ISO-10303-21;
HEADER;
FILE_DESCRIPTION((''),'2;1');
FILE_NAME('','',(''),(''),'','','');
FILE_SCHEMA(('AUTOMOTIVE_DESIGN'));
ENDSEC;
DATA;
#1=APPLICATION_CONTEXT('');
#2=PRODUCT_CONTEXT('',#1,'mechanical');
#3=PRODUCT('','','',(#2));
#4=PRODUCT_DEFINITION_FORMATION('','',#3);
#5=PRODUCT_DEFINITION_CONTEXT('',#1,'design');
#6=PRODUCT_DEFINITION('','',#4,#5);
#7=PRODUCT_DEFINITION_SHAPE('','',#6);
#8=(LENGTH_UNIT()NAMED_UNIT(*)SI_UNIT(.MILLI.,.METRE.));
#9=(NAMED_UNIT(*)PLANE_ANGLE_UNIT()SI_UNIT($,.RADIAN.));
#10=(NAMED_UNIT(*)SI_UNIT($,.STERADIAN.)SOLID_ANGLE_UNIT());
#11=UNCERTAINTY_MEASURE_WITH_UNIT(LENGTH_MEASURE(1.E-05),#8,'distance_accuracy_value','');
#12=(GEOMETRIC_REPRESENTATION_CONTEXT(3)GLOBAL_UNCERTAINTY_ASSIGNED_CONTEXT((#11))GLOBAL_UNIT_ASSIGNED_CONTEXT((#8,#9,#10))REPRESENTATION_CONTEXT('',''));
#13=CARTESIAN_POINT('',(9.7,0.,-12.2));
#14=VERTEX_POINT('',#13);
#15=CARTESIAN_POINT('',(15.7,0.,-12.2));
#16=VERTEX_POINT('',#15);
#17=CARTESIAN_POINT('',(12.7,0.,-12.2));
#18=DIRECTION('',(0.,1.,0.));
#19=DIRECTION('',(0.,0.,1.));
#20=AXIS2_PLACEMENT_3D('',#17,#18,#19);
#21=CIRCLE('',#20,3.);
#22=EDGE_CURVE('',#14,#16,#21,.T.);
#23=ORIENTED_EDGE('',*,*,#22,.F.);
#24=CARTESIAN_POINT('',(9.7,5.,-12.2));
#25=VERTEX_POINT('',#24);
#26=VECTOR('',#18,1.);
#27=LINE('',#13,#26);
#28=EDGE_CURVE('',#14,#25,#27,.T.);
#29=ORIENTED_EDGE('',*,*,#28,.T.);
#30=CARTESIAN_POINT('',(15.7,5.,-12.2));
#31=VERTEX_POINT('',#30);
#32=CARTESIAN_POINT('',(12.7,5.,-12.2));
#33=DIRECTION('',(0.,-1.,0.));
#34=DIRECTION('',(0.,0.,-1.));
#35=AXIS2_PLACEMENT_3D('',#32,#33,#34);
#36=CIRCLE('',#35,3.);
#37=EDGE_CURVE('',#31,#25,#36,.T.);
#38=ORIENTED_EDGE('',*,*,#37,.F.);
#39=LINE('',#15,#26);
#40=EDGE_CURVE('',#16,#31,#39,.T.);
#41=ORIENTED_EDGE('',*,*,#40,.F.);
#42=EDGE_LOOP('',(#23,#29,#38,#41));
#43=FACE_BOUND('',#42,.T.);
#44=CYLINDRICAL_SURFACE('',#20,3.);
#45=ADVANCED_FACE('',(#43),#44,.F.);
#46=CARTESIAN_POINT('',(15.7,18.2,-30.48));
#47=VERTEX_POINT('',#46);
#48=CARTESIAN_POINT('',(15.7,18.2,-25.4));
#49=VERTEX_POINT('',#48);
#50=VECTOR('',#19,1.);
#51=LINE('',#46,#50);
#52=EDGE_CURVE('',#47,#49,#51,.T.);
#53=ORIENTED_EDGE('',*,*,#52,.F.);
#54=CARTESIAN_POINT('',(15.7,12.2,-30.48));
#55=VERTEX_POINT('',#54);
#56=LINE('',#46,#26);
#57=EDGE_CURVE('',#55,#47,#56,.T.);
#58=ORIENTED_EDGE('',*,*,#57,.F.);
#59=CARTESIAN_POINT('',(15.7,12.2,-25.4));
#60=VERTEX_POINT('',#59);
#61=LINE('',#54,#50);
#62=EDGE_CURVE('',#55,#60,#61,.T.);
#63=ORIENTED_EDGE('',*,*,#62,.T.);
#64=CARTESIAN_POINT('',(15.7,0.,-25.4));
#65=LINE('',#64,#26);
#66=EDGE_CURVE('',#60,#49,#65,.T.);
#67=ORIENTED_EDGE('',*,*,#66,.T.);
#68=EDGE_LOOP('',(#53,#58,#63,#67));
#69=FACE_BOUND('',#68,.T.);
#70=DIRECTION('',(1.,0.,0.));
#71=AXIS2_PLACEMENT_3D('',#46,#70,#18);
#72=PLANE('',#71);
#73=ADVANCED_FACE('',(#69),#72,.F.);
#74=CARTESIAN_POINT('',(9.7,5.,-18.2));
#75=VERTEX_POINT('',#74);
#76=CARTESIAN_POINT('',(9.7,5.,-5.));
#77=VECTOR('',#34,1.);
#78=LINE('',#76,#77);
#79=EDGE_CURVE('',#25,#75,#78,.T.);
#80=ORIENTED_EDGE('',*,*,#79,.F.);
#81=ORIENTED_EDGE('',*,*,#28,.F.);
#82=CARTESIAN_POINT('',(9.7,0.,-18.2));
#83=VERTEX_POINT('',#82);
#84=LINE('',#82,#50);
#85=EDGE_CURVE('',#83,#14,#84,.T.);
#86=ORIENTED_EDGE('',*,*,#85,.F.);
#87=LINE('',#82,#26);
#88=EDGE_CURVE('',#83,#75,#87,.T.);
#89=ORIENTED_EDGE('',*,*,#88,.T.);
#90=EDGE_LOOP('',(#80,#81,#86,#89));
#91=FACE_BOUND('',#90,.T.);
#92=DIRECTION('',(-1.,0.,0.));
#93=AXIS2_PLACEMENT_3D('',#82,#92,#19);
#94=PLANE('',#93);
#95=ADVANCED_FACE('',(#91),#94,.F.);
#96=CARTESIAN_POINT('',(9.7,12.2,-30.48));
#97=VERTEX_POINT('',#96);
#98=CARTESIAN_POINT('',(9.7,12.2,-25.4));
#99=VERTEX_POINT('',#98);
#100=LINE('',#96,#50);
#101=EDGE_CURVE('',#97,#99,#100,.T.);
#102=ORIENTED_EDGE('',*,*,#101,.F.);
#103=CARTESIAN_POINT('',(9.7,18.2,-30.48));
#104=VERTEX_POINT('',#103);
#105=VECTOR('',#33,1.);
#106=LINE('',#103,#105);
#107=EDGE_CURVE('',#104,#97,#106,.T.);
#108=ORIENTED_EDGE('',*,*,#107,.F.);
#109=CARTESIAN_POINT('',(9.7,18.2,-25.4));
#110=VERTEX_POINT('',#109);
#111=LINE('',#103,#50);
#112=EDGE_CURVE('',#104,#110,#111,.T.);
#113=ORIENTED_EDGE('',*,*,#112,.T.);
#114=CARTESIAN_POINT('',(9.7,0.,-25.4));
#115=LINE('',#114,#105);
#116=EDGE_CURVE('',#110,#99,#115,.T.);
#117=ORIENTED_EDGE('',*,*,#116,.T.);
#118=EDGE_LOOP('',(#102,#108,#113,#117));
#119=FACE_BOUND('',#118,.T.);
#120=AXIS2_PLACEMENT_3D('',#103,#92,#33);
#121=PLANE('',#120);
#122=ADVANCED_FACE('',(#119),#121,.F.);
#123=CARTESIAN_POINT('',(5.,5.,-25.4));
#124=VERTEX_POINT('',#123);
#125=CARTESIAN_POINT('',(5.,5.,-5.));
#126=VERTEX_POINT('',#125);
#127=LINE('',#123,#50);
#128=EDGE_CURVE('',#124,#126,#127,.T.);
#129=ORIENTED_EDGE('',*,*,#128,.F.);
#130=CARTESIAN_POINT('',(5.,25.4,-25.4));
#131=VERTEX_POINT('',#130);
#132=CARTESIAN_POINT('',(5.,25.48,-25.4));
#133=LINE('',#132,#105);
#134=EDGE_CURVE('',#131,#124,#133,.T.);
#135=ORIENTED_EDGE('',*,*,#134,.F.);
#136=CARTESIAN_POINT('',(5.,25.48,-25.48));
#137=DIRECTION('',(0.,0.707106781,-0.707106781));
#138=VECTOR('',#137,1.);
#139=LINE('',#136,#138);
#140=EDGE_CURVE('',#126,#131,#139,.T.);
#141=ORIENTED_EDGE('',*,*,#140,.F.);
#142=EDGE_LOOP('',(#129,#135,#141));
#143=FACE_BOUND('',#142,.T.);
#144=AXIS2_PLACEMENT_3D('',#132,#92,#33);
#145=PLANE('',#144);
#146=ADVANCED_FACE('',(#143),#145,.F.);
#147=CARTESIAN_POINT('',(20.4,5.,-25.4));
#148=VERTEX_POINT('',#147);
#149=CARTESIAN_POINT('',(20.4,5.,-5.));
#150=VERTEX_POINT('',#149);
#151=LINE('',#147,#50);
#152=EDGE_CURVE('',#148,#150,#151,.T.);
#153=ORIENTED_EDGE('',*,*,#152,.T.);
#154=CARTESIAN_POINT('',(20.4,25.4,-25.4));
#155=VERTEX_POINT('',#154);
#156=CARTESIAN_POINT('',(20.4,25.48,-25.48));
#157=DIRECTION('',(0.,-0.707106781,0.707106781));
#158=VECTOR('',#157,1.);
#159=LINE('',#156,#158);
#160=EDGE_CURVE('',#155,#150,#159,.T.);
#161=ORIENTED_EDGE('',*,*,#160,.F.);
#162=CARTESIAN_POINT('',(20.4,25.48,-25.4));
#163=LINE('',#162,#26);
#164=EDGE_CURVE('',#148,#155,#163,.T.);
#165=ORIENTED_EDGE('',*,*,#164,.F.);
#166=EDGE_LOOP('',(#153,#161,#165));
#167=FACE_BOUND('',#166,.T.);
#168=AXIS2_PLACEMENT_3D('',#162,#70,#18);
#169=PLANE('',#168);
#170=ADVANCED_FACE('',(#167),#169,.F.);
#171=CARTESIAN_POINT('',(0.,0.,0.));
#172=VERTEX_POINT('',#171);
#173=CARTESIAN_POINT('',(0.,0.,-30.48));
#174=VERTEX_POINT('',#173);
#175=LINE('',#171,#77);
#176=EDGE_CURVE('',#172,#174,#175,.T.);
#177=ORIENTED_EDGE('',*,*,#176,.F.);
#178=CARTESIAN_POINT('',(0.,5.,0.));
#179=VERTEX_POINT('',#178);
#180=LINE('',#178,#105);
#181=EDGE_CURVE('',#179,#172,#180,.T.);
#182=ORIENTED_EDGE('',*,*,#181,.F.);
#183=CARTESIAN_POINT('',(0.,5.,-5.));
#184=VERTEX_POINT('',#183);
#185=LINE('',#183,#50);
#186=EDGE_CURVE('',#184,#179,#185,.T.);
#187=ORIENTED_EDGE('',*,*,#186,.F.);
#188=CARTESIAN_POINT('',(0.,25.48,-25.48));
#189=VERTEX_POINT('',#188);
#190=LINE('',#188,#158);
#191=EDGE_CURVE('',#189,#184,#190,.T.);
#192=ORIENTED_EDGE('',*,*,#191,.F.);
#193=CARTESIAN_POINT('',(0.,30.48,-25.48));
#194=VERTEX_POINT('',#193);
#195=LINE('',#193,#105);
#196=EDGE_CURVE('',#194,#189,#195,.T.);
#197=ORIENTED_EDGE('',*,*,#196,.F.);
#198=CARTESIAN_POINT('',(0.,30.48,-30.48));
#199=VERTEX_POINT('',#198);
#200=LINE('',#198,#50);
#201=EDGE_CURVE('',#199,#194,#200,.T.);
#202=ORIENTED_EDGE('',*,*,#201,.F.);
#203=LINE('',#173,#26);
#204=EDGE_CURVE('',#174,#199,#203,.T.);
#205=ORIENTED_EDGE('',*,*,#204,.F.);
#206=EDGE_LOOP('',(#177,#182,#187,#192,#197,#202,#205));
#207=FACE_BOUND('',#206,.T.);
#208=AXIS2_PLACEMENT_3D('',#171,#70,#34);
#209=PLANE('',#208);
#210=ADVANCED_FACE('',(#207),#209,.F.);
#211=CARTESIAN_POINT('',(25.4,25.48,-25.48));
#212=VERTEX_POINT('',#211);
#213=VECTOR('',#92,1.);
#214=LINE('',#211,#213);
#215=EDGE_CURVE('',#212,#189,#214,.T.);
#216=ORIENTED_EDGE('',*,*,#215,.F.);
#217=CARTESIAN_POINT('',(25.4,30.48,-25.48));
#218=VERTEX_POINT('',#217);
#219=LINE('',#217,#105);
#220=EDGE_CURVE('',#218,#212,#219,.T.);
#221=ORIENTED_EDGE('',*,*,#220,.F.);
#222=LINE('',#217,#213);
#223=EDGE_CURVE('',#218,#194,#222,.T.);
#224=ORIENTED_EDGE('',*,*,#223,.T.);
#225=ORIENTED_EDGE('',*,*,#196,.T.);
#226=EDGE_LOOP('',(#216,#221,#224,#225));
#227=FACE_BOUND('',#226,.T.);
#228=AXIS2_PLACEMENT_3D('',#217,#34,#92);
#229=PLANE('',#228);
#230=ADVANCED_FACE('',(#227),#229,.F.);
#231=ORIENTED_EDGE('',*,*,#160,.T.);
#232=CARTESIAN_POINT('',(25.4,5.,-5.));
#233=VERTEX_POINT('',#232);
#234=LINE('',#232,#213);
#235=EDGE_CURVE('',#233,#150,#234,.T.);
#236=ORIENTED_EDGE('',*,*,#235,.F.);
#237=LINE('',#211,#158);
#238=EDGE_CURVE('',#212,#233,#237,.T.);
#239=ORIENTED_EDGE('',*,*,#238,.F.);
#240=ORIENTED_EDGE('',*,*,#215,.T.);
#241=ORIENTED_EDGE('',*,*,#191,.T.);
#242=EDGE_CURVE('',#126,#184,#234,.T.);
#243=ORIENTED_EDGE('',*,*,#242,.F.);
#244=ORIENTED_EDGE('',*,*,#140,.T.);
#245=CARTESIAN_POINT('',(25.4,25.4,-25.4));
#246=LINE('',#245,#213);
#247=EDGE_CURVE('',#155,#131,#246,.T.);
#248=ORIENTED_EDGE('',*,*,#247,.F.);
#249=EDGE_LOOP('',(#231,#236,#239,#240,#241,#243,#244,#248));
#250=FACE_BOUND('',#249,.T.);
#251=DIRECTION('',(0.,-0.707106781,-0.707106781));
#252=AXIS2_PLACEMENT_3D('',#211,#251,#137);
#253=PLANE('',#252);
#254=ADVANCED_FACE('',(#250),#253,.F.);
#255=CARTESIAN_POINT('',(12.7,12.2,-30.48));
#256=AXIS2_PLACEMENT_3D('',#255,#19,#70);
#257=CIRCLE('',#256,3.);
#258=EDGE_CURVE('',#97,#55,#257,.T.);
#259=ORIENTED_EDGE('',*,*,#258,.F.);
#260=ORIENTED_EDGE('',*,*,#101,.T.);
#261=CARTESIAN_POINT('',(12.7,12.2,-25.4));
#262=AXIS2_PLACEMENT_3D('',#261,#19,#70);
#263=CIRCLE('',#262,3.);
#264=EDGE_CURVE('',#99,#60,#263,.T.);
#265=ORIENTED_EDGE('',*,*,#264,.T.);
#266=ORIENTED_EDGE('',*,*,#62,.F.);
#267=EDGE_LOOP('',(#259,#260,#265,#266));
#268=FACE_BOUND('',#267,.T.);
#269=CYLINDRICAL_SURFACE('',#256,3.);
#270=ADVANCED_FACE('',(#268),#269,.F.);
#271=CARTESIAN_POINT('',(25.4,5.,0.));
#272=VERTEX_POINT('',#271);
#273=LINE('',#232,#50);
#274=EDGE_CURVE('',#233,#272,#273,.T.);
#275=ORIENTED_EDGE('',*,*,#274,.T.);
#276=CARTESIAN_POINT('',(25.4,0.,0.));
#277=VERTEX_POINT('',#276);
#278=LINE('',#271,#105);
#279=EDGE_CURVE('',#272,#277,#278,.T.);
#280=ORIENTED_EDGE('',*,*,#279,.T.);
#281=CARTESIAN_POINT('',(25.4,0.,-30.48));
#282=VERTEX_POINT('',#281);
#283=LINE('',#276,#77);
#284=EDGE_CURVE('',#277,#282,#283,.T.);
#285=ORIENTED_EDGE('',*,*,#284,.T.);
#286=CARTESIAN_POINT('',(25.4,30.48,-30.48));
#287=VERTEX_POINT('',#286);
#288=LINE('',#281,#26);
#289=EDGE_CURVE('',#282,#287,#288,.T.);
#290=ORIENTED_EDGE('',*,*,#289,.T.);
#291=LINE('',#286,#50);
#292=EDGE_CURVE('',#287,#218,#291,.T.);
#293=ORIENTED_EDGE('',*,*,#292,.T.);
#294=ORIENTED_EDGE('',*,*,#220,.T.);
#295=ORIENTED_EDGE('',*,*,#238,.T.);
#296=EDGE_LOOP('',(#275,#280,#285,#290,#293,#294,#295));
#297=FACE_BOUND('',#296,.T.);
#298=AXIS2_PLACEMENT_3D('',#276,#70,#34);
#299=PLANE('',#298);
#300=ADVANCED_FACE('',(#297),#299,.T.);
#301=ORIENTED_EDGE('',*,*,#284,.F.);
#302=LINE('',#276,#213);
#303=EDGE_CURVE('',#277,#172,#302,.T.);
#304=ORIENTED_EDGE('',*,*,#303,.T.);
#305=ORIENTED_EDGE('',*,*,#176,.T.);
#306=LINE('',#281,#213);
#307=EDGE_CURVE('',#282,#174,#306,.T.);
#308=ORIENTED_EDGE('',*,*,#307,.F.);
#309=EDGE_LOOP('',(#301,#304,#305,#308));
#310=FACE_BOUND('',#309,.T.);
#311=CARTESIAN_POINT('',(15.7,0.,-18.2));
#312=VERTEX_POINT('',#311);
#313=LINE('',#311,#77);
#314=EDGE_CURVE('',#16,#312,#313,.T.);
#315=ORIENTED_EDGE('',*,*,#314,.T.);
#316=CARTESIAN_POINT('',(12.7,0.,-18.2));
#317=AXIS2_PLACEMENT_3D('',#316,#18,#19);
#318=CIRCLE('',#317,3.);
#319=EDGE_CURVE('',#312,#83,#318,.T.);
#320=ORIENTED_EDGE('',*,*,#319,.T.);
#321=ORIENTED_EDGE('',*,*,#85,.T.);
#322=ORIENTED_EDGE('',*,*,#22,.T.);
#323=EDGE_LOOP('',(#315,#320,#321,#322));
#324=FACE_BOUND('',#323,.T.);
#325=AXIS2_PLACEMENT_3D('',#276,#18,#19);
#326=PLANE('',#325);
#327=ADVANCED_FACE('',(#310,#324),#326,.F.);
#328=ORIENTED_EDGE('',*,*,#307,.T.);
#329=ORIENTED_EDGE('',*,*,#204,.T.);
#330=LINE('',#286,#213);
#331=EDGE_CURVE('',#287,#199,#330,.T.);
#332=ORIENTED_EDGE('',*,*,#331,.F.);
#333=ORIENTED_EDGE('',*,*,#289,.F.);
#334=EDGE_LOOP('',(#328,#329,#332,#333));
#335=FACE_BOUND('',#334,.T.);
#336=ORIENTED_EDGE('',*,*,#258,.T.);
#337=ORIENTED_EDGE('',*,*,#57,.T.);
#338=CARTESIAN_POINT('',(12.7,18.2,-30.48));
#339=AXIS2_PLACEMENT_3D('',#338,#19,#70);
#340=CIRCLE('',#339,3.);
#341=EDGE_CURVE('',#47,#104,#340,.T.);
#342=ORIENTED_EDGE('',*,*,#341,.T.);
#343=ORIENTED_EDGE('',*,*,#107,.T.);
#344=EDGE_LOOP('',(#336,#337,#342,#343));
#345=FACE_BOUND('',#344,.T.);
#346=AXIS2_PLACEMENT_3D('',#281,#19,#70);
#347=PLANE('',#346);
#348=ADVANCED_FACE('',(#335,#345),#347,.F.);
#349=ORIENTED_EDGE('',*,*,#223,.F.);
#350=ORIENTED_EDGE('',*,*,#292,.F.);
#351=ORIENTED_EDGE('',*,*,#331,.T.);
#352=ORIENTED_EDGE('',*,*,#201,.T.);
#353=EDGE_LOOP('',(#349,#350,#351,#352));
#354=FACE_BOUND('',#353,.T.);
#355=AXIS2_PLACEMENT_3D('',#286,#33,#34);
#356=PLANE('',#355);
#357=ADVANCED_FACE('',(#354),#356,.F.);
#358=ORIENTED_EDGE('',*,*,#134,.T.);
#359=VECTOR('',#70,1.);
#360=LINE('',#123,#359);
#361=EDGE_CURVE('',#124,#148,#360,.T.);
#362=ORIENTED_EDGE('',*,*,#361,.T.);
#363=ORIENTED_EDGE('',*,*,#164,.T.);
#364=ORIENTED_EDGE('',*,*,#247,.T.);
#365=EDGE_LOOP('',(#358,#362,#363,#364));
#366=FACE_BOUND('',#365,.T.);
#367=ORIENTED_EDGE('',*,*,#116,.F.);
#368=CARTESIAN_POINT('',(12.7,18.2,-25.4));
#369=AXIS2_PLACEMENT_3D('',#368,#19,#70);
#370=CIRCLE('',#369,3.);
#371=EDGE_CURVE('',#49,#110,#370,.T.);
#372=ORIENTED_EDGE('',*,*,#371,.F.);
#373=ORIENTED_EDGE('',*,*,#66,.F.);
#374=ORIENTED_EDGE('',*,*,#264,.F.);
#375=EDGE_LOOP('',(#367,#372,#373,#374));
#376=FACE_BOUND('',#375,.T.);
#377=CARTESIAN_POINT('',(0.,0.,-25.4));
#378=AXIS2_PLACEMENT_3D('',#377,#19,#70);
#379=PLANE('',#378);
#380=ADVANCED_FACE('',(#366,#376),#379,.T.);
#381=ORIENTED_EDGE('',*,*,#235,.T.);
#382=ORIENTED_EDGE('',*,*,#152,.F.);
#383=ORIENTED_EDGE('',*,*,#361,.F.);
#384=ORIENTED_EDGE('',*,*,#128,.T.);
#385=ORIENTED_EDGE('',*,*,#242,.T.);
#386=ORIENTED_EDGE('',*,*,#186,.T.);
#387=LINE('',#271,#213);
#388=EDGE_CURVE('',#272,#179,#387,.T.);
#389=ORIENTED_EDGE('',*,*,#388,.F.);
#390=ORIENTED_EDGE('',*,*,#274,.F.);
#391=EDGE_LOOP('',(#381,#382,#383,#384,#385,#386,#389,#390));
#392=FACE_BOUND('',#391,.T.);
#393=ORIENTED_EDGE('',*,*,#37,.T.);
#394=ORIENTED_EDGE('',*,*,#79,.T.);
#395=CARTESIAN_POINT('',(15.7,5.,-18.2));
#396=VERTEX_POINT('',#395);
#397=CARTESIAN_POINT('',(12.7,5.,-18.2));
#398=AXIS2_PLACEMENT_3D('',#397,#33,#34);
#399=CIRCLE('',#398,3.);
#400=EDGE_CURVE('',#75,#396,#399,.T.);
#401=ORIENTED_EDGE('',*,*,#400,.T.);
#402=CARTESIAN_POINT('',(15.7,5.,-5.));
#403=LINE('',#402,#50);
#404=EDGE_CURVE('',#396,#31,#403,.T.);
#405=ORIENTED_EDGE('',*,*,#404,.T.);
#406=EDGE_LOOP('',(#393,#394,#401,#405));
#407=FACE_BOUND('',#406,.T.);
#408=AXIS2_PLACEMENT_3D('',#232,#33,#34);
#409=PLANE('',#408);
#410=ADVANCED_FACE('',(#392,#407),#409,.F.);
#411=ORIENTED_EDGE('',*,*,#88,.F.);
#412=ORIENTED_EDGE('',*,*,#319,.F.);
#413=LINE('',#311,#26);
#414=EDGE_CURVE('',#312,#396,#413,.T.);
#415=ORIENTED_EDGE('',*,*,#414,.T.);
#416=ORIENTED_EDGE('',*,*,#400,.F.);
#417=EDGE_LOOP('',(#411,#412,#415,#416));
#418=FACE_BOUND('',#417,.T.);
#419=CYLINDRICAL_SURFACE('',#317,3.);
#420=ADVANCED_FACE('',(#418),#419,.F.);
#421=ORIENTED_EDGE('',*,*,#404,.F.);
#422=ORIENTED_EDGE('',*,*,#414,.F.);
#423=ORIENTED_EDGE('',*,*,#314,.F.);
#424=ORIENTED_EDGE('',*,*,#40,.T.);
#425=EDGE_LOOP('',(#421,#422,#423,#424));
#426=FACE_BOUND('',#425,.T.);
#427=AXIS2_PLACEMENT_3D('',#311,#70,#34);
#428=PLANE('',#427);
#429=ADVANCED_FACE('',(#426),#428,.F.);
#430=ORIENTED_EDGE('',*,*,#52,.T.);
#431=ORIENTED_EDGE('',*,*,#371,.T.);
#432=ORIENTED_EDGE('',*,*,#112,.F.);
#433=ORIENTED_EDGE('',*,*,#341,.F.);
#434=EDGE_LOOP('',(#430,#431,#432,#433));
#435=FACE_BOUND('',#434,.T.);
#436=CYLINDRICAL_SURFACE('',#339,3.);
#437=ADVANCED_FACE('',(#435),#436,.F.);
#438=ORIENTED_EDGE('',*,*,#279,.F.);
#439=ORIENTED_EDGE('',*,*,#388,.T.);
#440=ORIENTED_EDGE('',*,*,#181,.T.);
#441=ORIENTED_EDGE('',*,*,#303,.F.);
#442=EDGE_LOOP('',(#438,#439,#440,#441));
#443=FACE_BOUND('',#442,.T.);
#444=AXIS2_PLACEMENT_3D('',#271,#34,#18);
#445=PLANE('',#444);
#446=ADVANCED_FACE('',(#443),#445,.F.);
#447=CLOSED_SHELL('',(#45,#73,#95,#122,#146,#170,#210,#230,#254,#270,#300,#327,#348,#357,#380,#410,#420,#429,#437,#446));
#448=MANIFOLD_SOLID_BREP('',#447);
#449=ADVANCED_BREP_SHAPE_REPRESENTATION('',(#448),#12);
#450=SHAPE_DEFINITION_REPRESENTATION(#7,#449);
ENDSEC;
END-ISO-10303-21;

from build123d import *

# Parameters (mm, degrees)
BOSS_EXTRUDE1_DEPTH     = 25.4
SKETCH2_W               = 15.4
SKETCH2_H               = 20.48
CUT_EXTRUDE1_DEPTH      = 25.4
CUT_EXTRUDE2_DEPTH      = 48.109981957
CUT_EXTRUDE2_DEPTH_BACK = 48.109981957
CUT_EXTRUDE3_DEPTH      = 48.153163202
CUT_EXTRUDE3_DEPTH_BACK = 48.153163202


with BuildPart() as part:
    # Sketch1 → Boss-Extrude1 (new body)
    with BuildSketch(Plane(origin=(0, 0, 0), x_dir=(0, 0, -1), z_dir=(1, 0, 0))):
        Polygon((0, 0), (30.48, 0), (30.48, 30.48), (25.48, 30.48), (25.48, 25.48), (5, 5), (0, 5), align=None)
    extrude(amount=BOSS_EXTRUDE1_DEPTH)

    # Sketch2 → Cut-Extrude1 (cut)
    with BuildSketch(Plane.XY):
        with Locations((12.7, 15.24)):
            Rectangle(SKETCH2_W, SKETCH2_H)
    extrude(amount=-CUT_EXTRUDE1_DEPTH, mode=Mode.SUBTRACT)

    # Sketch3 → Cut-Extrude2 (cut, two sides: drawn at the far end of the back side and taken through both)
    with BuildSketch(Plane.XY.offset(-25.4).offset(-CUT_EXTRUDE2_DEPTH_BACK)):
        with BuildLine():
            Line((15.7, 18.2), (15.7, 12.2))
            ThreePointArc((15.7, 12.2), (12.7, 9.2), (9.7, 12.2))
            Line((9.7, 12.2), (9.7, 18.2))
            ThreePointArc((9.7, 18.2), (12.7, 21.2), (15.7, 18.2))
        make_face()
    extrude(amount=CUT_EXTRUDE2_DEPTH + CUT_EXTRUDE2_DEPTH_BACK, mode=Mode.SUBTRACT)

    # Sketch4 → Cut-Extrude3 (cut, two sides: drawn at the far end of the back side and taken through both)
    with BuildSketch(Plane(origin=(0, 5, 0), x_dir=(1, 0, 0), z_dir=(0, 1, 0)).offset(-CUT_EXTRUDE3_DEPTH_BACK)):
        with BuildLine():
            Line((15.7, 18.2), (15.7, 12.2))
            ThreePointArc((15.7, 12.2), (12.7, 9.2), (9.7, 12.2))
            Line((9.7, 12.2), (9.7, 18.2))
            ThreePointArc((9.7, 18.2), (12.7, 21.2), (15.7, 18.2))
        make_face()
    extrude(amount=CUT_EXTRUDE3_DEPTH + CUT_EXTRUDE3_DEPTH_BACK, mode=Mode.SUBTRACT)


solid = part.part
